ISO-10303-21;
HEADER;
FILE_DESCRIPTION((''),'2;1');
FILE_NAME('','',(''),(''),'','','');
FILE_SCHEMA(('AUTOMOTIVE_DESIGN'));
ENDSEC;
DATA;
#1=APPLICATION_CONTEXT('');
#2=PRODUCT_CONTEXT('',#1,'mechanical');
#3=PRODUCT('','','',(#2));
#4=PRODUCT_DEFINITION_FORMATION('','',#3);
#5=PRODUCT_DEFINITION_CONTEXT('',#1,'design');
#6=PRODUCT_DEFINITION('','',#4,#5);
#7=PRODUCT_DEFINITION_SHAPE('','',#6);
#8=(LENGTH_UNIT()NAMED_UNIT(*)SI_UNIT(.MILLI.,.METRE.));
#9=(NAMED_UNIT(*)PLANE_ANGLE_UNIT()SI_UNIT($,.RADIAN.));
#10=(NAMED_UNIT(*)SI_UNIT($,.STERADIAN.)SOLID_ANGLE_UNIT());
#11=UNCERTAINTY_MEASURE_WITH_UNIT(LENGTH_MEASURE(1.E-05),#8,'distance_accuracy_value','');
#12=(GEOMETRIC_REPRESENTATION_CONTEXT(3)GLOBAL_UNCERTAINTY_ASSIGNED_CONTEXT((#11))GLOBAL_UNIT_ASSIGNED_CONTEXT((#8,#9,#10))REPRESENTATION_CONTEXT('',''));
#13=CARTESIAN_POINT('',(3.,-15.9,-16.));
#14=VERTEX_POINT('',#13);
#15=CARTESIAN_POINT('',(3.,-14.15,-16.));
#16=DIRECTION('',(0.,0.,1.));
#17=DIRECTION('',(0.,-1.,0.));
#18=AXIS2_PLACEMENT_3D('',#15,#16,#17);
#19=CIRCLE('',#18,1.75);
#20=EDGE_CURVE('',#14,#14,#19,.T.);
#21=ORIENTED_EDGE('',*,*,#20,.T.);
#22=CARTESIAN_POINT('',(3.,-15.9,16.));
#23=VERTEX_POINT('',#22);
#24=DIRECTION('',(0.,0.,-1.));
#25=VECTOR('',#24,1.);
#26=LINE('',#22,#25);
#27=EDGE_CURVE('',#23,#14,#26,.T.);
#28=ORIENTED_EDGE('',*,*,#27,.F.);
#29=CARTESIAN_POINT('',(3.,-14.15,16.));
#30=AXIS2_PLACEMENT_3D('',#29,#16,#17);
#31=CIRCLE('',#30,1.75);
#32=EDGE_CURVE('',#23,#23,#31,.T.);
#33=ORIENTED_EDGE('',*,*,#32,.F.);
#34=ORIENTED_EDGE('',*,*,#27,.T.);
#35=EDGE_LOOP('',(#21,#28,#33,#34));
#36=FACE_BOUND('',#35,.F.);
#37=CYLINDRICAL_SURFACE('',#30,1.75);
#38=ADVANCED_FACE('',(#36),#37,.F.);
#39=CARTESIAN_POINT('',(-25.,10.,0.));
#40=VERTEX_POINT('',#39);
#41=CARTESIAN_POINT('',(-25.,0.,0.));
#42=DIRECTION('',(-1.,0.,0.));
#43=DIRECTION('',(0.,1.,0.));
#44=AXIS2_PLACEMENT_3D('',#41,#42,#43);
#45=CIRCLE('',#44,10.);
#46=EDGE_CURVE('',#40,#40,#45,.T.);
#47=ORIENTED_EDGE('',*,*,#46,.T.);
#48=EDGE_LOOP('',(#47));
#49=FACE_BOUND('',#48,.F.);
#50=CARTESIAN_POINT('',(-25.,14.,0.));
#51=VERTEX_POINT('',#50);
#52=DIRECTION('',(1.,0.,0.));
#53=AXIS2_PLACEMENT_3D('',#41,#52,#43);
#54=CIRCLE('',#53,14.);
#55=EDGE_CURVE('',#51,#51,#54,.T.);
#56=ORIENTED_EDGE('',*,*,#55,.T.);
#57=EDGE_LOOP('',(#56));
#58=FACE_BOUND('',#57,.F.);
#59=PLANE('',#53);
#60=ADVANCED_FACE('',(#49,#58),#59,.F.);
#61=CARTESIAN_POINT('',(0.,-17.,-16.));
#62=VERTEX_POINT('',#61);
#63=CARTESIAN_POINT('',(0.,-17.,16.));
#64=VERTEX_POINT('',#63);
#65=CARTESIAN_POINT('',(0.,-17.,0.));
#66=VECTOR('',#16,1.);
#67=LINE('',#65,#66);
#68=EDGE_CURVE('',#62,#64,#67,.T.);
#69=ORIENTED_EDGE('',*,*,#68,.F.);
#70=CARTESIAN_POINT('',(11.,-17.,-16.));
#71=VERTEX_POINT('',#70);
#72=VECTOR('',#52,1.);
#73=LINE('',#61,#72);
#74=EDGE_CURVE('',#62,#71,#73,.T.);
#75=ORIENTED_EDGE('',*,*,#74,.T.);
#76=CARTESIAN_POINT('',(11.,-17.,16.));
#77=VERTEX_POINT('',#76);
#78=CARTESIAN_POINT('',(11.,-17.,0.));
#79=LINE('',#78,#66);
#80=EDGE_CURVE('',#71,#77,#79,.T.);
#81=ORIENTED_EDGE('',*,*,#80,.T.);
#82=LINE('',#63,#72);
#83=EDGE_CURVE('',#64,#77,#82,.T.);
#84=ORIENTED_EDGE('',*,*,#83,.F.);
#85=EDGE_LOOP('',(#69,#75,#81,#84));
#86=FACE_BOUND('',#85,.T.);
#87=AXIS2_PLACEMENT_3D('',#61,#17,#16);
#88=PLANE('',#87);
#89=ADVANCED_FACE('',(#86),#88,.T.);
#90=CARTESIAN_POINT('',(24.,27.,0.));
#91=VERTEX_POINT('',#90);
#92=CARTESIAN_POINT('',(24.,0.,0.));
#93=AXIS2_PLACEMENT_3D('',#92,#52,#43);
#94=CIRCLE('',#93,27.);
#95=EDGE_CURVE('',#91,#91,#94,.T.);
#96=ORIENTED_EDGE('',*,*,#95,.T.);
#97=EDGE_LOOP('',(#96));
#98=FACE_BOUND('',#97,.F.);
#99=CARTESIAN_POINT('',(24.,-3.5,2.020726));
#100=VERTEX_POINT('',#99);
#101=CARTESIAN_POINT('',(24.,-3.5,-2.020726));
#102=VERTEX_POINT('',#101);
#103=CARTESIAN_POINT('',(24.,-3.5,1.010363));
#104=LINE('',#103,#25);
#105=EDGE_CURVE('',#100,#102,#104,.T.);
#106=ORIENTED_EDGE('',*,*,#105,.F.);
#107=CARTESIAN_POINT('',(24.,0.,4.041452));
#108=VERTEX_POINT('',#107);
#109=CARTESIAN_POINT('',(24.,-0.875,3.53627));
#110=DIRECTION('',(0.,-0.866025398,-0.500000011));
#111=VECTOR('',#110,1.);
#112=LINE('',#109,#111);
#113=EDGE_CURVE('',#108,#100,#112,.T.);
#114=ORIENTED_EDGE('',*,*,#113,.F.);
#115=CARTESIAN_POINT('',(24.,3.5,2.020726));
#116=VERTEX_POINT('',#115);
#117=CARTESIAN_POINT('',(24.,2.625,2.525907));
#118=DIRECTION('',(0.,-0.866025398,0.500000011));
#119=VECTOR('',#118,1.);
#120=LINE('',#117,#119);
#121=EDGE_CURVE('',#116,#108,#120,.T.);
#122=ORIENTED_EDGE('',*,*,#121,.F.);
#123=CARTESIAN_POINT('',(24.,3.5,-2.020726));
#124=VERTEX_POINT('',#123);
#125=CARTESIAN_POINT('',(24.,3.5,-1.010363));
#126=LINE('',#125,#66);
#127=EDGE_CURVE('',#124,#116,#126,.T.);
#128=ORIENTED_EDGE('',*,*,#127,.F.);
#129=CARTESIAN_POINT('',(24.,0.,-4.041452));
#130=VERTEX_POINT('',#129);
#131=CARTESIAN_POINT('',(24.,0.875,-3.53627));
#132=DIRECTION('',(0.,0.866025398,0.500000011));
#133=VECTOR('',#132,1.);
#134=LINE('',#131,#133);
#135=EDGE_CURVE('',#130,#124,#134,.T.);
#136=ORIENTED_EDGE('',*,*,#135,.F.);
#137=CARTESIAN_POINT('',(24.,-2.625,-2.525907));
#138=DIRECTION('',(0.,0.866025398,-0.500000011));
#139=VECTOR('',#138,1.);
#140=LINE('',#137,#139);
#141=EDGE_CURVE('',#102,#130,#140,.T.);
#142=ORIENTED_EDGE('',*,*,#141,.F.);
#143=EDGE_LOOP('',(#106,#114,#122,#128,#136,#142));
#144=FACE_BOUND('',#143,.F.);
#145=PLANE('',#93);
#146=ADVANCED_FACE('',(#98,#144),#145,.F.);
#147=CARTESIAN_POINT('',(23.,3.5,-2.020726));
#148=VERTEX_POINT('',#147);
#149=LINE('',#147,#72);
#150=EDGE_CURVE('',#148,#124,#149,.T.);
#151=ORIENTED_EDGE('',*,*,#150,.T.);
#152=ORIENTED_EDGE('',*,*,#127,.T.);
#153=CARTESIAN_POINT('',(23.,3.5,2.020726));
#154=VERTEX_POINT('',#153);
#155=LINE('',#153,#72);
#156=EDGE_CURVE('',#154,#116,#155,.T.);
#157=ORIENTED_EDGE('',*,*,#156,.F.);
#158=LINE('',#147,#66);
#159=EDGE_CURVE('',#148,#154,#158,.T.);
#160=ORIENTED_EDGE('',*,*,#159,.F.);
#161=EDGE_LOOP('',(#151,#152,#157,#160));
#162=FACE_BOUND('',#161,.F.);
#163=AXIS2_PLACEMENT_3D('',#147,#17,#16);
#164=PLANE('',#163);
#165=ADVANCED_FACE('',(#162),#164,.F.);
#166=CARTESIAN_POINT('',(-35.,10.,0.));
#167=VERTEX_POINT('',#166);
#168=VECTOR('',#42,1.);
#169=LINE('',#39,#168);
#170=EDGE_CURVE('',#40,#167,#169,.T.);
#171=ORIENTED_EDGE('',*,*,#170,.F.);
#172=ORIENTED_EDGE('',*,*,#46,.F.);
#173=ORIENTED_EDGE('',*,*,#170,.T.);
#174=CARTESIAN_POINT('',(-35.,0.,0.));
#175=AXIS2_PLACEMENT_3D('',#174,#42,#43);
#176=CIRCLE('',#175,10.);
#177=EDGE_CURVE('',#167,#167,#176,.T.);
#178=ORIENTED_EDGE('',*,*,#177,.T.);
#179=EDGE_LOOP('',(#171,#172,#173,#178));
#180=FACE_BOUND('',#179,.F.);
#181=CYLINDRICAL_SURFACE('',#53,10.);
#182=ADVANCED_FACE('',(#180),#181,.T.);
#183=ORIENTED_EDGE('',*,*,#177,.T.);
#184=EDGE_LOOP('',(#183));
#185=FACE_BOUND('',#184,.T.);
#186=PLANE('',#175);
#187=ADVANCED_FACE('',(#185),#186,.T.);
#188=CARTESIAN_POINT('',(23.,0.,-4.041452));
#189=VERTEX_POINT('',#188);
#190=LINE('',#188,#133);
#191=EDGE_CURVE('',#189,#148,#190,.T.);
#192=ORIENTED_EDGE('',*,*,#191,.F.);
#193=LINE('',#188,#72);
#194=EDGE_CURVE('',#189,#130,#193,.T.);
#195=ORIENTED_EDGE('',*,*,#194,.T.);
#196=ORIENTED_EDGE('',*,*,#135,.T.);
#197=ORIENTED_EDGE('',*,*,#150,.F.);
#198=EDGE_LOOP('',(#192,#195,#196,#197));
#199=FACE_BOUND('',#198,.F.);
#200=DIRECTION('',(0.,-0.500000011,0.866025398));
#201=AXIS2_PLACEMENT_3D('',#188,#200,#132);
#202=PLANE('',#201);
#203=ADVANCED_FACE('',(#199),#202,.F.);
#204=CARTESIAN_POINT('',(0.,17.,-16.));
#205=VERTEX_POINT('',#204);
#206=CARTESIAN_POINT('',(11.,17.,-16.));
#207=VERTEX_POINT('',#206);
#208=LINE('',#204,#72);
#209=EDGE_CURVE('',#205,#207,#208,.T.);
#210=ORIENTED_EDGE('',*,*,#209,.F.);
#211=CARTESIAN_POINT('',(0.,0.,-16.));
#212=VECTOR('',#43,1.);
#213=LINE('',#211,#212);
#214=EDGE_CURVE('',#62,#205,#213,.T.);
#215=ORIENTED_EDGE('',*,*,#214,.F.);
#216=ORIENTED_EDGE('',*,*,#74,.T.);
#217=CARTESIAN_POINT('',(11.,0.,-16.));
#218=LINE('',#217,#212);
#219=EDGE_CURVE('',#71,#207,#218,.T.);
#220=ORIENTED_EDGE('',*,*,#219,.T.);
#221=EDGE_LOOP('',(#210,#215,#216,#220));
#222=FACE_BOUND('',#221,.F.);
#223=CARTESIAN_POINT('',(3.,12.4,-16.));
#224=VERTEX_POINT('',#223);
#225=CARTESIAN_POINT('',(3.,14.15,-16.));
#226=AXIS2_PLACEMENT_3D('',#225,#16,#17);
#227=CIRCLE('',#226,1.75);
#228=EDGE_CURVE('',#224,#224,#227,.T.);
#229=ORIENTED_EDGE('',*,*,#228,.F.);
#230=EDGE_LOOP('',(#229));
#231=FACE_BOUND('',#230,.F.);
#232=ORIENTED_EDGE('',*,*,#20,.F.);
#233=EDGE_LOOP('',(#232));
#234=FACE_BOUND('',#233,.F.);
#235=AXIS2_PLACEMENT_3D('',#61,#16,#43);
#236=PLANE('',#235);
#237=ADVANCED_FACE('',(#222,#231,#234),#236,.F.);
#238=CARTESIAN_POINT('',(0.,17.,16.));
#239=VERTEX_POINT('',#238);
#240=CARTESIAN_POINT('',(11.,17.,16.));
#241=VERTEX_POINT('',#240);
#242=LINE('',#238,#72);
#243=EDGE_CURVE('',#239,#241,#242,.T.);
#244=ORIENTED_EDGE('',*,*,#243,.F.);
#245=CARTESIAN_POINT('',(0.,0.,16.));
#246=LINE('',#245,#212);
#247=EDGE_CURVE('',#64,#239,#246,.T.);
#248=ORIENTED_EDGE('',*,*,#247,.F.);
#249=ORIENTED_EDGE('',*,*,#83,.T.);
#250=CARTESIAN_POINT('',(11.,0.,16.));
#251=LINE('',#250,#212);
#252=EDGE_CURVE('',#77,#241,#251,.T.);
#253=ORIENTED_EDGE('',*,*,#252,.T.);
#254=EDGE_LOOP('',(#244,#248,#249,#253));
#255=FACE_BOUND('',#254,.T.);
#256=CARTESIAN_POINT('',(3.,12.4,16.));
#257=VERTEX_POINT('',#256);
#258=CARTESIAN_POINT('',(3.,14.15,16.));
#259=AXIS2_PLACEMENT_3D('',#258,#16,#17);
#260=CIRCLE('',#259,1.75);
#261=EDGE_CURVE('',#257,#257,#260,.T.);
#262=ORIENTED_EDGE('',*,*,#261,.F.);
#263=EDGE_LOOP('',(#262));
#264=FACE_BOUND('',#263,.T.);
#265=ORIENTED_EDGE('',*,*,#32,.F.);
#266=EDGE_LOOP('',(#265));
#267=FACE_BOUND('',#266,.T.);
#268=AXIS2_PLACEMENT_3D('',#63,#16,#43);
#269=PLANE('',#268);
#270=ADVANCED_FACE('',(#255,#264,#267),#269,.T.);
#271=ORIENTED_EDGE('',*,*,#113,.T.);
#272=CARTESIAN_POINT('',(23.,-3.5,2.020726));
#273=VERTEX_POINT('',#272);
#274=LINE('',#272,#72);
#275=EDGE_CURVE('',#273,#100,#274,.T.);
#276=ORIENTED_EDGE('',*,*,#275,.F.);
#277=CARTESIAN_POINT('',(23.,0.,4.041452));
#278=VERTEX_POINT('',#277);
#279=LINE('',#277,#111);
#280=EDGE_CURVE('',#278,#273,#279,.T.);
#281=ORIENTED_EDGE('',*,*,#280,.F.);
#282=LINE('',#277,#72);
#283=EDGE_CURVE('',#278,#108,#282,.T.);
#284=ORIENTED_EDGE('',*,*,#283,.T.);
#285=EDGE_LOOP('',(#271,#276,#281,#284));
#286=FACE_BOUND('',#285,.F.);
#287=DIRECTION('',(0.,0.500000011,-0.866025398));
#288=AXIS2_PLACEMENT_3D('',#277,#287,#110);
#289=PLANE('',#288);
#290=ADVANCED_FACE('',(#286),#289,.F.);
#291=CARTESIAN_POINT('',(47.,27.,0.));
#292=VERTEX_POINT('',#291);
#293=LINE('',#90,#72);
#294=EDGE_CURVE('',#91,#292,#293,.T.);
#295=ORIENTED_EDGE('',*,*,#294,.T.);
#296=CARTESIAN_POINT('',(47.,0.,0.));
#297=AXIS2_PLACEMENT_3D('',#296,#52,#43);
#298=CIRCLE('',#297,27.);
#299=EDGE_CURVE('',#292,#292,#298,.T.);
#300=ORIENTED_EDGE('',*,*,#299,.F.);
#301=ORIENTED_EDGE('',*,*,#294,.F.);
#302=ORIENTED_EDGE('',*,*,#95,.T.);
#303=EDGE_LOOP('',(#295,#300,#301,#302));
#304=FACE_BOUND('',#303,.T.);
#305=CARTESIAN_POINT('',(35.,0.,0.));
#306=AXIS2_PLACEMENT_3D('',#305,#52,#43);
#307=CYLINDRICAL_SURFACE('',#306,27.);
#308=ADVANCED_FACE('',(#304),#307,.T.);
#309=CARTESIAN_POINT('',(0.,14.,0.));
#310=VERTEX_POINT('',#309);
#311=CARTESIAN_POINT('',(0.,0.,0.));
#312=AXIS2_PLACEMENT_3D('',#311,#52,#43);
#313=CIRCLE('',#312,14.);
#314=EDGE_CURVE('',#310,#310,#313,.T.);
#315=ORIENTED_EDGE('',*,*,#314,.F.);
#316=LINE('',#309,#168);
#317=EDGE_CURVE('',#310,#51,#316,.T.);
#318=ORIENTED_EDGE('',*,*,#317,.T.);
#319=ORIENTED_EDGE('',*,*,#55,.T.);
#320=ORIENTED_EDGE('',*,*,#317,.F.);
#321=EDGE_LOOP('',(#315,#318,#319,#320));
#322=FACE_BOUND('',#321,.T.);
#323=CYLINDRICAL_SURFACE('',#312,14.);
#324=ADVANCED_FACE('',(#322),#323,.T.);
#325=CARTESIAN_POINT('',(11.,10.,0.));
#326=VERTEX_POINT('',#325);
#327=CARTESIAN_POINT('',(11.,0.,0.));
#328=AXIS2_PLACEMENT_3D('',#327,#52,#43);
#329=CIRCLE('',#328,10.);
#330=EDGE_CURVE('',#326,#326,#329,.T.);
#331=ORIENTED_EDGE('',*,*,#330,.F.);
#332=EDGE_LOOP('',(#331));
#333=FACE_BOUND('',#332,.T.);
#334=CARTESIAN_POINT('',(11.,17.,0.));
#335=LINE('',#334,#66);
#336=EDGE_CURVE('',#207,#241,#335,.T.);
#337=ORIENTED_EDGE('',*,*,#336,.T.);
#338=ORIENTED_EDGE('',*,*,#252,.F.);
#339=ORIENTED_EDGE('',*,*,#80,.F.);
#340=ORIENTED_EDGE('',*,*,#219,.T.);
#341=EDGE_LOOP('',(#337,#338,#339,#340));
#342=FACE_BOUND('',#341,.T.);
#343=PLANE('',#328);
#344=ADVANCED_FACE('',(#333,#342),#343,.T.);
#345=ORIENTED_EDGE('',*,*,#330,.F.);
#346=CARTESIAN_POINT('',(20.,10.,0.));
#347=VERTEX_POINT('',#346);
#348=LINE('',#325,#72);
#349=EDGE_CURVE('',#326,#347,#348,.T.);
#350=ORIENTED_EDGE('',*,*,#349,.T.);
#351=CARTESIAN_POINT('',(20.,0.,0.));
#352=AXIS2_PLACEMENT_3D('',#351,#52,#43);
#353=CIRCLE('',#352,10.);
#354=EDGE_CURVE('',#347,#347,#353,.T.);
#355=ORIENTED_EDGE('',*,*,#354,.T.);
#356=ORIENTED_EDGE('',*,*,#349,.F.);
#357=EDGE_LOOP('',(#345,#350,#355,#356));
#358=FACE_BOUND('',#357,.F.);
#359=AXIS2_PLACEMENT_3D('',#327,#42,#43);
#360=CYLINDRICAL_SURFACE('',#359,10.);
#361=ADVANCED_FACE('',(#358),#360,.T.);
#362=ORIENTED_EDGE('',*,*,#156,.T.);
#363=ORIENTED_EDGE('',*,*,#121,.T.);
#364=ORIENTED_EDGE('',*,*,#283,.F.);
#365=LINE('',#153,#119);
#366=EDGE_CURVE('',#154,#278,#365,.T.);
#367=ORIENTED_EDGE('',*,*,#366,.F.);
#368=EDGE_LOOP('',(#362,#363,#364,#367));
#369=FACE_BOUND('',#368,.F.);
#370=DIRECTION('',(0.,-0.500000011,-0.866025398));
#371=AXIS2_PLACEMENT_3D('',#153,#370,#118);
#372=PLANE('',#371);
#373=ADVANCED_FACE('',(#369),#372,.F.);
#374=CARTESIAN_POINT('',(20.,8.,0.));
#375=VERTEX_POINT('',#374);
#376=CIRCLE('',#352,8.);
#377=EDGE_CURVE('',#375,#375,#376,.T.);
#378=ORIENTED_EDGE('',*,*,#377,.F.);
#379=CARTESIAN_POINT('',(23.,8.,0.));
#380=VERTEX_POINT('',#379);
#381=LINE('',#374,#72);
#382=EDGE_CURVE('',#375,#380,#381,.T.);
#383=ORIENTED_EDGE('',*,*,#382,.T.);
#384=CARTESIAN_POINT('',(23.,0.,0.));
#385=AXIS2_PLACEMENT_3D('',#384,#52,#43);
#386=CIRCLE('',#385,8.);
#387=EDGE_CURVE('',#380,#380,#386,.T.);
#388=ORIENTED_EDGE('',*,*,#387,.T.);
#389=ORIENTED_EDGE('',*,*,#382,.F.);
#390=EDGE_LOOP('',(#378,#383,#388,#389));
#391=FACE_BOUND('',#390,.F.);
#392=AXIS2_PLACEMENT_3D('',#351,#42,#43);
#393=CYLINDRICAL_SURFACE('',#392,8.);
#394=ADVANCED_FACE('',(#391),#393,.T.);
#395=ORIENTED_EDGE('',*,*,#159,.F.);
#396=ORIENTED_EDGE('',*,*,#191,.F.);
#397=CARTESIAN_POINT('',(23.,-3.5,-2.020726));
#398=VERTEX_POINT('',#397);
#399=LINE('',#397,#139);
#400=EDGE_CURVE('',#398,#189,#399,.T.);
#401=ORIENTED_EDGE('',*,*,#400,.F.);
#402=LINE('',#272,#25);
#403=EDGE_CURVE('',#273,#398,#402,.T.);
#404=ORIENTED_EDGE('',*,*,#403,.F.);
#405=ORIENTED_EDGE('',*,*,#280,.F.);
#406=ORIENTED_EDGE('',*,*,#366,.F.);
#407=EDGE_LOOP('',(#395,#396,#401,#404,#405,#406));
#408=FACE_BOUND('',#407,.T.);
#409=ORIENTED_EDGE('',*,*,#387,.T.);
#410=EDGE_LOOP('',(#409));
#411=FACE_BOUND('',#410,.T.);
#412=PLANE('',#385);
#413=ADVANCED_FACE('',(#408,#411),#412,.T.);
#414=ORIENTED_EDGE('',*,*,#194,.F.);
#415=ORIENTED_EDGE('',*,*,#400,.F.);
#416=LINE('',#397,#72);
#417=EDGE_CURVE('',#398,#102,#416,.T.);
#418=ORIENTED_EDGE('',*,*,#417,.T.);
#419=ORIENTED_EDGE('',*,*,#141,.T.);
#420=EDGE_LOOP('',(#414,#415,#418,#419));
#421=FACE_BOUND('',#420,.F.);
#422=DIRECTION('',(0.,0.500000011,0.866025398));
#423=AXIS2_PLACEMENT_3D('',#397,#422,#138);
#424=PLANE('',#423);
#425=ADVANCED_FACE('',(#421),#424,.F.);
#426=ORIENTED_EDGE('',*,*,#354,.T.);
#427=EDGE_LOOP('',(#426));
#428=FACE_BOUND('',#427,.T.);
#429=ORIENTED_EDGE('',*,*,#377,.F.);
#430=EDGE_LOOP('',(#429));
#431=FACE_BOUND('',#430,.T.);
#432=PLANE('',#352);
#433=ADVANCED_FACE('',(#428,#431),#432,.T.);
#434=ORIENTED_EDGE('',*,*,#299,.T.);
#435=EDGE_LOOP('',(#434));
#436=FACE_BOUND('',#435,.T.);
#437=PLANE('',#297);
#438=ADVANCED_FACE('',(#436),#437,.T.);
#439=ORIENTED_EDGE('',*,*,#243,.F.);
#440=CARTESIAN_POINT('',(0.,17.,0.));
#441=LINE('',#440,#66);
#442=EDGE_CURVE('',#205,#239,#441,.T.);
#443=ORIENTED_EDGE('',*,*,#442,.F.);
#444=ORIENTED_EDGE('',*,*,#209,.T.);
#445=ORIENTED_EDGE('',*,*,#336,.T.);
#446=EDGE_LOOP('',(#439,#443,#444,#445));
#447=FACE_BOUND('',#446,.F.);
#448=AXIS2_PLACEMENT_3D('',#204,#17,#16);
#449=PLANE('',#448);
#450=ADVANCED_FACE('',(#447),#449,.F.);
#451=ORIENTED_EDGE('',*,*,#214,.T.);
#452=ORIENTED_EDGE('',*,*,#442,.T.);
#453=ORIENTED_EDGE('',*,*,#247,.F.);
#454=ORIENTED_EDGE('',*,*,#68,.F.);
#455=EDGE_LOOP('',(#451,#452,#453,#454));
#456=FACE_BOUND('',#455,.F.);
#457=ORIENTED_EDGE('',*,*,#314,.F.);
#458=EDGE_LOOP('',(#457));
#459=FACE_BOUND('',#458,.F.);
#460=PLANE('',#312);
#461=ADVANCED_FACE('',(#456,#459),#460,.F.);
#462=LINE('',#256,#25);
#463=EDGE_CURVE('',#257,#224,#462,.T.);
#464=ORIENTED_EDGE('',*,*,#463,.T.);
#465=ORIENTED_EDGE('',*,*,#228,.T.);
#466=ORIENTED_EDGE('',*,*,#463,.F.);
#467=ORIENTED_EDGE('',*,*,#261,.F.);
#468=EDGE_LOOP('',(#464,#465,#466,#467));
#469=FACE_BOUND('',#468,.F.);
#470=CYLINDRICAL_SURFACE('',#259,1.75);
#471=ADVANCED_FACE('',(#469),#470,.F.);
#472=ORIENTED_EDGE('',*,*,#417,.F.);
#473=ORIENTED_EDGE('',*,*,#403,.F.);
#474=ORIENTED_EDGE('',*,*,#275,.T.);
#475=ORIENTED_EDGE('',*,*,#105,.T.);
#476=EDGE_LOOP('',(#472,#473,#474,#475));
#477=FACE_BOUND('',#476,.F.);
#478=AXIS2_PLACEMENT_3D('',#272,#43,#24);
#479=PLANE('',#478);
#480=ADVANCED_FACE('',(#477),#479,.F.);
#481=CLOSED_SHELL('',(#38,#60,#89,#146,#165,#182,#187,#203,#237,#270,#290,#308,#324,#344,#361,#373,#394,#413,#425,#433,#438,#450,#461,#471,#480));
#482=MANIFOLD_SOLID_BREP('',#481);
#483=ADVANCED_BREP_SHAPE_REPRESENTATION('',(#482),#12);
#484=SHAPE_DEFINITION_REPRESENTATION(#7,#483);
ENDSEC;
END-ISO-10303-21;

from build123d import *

# Parameters (mm, degrees)
SKETCH_R          = 14
PAD_DEPTH         = 25
SKETCH001_W       = 34
SKETCH001_H       = 32
PAD001_DEPTH      = 11
SKETCH002_R       = 10
PAD002_DEPTH      = 9
SKETCH003_R       = 8
PAD003_DEPTH      = 3
PAD004_DEPTH      = 12
SKETCH005_R       = 1.75
POCKET_DEPTH      = 100
SKETCH006_R       = 27
PAD005_DEPTH      = 12
PAD005_DEPTH_BACK = 11
SKETCH007_R       = 10
PAD006_DEPTH      = 10


with BuildPart() as part:
    # Sketch → Pad (new body)
    with BuildSketch(Plane.YZ):
        Circle(SKETCH_R)
    extrude(amount=-PAD_DEPTH)

    # Sketch001 (on Face2 of Pad) → Pad001 (join)
    with BuildSketch(Plane.YZ):
        Rectangle(SKETCH001_W, SKETCH001_H)
    extrude(amount=PAD001_DEPTH)

    # Sketch002 (on Face5 of Pad001) → Pad002 (join)
    with BuildSketch(Plane.YZ.offset(11)):
        Circle(SKETCH002_R)
    extrude(amount=PAD002_DEPTH)

    # Sketch003 (on Face10 of Pad002) → Pad003 (join)
    with BuildSketch(Plane.YZ.offset(20)):
        Circle(SKETCH003_R)
    extrude(amount=PAD003_DEPTH)

    # Sketch004 (on Face12 of Pad003) → Pad004 (join)
    with BuildSketch(Plane.YZ.offset(23)):
        Polygon((0, 4.041452), (-3.5, 2.020726), (-3.5, -2.020726), (0, -4.041452), (3.5, -2.020726), (3.5, 2.020726), align=None)
    extrude(amount=PAD004_DEPTH)

    # Sketch005 (on Face1 of Pad004) → Pocket (cut)
    with BuildSketch(Plane(origin=(0, 0, 16), x_dir=(0, -1, 0), z_dir=(0, 0, 1))):
        with Locations((-14.15, 3)):
            Circle(SKETCH005_R)
        with Locations((14.15, 3)):
            Circle(SKETCH005_R)
    extrude(amount=-POCKET_DEPTH, mode=Mode.SUBTRACT)

    # Sketch006 (on Face21 of Pocket) → Pad005 (join, two sides)
    with BuildSketch(Plane.YZ.offset(35)) as pad005_sk:
        Circle(SKETCH006_R)
    extrude(amount=PAD005_DEPTH)
    extrude(pad005_sk.sketch, amount=-PAD005_DEPTH_BACK)

    # Sketch007 (on Face11 of Pad005) → Pad006 (join)
    with BuildSketch(Plane(origin=(-25, 0, 0), x_dir=(0, 1, 0), z_dir=(-1, 0, 0))):
        Circle(SKETCH007_R)
    extrude(amount=PAD006_DEPTH)


solid = part.part
